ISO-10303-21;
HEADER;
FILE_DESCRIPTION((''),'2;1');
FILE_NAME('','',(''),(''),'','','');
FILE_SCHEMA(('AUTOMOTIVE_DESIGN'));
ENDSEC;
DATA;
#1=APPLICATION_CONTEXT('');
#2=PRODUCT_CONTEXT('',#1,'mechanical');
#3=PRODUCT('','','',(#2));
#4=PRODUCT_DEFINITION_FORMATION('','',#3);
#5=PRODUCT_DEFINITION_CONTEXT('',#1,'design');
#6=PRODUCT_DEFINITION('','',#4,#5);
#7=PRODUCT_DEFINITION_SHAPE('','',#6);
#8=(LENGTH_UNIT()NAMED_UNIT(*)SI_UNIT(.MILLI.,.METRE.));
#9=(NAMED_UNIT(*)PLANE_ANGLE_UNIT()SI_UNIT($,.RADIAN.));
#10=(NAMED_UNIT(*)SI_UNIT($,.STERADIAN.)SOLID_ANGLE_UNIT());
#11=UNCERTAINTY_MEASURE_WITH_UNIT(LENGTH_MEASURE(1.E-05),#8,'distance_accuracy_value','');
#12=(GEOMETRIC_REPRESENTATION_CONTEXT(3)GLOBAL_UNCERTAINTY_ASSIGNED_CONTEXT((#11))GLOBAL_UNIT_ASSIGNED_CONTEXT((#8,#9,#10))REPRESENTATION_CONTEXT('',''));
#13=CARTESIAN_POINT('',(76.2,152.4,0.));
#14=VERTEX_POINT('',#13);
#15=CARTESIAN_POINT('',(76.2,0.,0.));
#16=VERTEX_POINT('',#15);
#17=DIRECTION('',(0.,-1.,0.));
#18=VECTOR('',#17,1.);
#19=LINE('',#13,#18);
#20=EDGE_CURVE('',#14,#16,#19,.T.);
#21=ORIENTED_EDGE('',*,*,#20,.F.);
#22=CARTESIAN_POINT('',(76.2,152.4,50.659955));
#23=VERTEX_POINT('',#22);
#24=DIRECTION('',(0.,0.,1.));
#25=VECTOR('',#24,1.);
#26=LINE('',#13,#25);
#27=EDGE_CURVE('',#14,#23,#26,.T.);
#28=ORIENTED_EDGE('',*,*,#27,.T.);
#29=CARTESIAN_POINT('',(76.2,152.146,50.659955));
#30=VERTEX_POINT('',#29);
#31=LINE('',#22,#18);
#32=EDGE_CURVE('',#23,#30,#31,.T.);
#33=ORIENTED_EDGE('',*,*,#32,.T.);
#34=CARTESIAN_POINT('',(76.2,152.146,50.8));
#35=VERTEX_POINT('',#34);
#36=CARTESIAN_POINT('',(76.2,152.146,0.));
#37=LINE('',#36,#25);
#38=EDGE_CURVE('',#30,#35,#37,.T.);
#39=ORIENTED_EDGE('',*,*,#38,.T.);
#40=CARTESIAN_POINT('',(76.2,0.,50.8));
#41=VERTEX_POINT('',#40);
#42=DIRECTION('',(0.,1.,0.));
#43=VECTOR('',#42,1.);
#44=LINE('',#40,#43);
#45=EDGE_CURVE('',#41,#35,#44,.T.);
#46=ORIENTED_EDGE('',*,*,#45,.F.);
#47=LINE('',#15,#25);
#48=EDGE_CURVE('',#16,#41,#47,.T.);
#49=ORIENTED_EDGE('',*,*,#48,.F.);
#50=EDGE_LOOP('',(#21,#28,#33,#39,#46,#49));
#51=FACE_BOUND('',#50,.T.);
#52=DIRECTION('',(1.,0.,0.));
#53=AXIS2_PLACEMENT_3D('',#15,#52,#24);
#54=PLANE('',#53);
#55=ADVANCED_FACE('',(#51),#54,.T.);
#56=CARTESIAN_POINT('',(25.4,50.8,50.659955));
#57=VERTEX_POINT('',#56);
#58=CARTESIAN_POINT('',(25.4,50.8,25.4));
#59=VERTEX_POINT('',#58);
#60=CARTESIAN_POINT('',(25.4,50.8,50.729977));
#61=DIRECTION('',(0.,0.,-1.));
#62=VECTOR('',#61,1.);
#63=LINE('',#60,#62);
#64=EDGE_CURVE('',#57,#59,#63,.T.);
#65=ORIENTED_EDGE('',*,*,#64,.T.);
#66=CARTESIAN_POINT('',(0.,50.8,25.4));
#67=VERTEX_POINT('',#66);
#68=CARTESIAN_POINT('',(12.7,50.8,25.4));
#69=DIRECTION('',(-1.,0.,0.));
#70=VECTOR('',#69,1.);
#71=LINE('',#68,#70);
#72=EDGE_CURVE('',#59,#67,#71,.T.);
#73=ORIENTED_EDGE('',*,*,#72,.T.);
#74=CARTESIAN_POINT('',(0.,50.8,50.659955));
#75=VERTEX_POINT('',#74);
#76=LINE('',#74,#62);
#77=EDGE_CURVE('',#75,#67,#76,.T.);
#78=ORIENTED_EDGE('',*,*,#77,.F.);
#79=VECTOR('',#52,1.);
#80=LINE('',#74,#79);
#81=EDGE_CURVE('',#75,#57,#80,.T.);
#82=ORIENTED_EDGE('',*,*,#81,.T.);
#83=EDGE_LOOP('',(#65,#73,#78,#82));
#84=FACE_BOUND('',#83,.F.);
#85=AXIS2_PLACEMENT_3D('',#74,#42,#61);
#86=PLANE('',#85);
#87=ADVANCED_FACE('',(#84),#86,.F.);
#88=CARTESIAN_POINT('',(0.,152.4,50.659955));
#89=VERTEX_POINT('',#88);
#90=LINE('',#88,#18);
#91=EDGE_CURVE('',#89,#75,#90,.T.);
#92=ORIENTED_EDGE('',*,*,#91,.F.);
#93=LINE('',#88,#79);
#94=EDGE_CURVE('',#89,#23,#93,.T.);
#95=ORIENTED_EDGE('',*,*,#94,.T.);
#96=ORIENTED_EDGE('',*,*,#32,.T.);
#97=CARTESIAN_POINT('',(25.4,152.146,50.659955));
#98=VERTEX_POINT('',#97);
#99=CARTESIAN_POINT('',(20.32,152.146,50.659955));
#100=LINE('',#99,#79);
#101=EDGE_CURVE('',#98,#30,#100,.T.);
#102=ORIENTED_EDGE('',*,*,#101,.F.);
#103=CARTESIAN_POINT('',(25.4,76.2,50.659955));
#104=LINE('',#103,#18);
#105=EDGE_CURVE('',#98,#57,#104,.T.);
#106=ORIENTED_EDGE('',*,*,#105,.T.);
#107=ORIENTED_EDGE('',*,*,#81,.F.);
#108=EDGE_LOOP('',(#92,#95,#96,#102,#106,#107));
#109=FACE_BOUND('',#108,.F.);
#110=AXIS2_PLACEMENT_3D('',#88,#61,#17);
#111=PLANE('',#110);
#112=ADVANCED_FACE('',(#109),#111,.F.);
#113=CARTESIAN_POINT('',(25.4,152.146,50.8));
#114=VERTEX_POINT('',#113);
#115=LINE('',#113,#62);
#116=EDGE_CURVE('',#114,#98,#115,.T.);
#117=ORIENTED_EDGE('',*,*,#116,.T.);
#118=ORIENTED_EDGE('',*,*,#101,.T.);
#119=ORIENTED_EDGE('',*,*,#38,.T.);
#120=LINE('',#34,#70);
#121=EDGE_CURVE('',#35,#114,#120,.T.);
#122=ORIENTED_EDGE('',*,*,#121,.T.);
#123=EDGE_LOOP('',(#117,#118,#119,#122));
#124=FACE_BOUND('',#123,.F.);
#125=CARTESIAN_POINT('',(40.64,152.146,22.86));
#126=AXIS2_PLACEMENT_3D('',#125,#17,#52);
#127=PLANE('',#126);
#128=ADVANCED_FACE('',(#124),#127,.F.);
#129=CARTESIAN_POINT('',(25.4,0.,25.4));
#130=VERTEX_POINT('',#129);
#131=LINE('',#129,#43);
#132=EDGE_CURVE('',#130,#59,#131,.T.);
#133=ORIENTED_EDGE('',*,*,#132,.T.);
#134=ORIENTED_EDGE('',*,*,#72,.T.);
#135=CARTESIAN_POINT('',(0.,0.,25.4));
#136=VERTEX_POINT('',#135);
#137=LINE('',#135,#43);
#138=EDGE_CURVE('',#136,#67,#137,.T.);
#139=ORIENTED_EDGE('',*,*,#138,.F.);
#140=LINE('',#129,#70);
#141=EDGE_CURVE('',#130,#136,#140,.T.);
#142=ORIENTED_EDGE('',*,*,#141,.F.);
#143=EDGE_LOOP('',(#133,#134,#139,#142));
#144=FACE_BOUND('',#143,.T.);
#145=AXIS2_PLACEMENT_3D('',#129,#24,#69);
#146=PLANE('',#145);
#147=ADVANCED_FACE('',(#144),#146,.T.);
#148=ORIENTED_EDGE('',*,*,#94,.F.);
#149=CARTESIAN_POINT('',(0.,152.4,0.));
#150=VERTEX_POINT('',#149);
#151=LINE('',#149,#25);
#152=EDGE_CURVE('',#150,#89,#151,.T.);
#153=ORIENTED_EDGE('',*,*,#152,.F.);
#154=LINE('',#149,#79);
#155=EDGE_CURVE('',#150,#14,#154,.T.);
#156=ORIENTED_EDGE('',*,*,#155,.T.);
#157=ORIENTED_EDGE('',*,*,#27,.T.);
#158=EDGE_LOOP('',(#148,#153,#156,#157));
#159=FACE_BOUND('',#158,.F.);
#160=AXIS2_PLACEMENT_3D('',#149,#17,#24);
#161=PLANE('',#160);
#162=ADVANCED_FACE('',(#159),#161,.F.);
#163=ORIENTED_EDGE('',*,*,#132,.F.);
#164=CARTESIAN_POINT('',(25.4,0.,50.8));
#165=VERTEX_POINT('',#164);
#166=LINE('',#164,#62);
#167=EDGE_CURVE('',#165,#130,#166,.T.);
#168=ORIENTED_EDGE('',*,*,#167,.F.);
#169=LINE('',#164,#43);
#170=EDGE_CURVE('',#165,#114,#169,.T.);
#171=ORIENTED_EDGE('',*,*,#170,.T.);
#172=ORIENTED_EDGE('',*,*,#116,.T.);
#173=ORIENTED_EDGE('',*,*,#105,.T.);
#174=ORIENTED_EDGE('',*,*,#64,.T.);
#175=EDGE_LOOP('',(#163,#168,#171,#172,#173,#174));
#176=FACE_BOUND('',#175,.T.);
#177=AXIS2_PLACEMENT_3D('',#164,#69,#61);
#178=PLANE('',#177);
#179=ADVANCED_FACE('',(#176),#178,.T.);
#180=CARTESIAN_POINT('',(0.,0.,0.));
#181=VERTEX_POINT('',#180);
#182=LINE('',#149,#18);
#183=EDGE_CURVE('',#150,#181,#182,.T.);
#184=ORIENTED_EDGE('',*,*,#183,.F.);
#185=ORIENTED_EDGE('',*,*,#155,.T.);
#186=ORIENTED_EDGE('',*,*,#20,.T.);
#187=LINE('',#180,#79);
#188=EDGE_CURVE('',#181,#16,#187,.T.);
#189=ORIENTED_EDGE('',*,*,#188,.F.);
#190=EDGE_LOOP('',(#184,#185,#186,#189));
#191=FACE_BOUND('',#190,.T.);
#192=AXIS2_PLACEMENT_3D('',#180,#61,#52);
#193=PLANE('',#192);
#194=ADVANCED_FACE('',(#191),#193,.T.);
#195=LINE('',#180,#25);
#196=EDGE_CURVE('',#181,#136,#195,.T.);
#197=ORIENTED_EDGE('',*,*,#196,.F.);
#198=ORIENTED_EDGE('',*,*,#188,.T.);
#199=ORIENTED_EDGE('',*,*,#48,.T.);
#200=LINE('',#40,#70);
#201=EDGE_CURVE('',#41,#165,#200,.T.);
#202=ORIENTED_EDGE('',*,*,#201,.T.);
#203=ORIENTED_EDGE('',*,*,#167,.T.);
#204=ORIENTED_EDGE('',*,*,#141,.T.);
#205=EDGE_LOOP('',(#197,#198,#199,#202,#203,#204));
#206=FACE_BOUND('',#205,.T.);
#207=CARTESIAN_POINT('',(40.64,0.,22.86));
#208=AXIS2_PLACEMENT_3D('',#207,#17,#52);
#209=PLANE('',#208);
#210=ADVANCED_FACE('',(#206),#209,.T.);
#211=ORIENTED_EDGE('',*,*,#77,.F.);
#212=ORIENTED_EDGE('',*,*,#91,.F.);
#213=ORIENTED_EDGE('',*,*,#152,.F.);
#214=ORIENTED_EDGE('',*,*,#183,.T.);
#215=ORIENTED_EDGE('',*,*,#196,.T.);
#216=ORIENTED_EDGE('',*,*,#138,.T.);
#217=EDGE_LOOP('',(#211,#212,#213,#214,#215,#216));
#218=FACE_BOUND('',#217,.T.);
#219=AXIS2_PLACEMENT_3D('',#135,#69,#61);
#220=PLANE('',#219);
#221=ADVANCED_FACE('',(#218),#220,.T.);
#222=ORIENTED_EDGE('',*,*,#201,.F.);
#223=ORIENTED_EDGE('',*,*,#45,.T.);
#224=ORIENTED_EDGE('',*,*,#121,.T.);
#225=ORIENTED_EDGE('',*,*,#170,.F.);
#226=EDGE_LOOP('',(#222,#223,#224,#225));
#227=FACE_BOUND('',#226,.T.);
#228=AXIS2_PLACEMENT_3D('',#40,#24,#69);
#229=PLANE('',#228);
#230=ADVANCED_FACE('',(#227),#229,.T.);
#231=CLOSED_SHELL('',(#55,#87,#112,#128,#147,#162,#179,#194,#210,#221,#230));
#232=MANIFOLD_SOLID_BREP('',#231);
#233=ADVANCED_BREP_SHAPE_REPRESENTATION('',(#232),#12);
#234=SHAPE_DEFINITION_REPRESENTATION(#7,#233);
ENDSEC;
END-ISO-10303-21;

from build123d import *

# Parameters (mm, degrees)
F2_DEPTH = 152.146
F3_DEPTH = 76.2


with BuildPart() as f2:
    # F0 (on Front) → F2 (new body)
    with BuildSketch(Plane.XZ):
        Polygon((0, 25.4), (0, 0), (76.2, 0), (76.2, 50.8), (25.4, 50.8), (25.4, 25.4), align=None)
    extrude(amount=-F2_DEPTH)

    # F1 (on Right) → F3 (join)
    with BuildSketch(Plane.YZ):
        Polygon((50.8, 25.259955), (0, 25.259955), (0, 0), (152.4, 0), (152.4, 50.659955), (50.8, 50.659955), align=None)
    extrude(amount=F3_DEPTH)


solid = f2.part
